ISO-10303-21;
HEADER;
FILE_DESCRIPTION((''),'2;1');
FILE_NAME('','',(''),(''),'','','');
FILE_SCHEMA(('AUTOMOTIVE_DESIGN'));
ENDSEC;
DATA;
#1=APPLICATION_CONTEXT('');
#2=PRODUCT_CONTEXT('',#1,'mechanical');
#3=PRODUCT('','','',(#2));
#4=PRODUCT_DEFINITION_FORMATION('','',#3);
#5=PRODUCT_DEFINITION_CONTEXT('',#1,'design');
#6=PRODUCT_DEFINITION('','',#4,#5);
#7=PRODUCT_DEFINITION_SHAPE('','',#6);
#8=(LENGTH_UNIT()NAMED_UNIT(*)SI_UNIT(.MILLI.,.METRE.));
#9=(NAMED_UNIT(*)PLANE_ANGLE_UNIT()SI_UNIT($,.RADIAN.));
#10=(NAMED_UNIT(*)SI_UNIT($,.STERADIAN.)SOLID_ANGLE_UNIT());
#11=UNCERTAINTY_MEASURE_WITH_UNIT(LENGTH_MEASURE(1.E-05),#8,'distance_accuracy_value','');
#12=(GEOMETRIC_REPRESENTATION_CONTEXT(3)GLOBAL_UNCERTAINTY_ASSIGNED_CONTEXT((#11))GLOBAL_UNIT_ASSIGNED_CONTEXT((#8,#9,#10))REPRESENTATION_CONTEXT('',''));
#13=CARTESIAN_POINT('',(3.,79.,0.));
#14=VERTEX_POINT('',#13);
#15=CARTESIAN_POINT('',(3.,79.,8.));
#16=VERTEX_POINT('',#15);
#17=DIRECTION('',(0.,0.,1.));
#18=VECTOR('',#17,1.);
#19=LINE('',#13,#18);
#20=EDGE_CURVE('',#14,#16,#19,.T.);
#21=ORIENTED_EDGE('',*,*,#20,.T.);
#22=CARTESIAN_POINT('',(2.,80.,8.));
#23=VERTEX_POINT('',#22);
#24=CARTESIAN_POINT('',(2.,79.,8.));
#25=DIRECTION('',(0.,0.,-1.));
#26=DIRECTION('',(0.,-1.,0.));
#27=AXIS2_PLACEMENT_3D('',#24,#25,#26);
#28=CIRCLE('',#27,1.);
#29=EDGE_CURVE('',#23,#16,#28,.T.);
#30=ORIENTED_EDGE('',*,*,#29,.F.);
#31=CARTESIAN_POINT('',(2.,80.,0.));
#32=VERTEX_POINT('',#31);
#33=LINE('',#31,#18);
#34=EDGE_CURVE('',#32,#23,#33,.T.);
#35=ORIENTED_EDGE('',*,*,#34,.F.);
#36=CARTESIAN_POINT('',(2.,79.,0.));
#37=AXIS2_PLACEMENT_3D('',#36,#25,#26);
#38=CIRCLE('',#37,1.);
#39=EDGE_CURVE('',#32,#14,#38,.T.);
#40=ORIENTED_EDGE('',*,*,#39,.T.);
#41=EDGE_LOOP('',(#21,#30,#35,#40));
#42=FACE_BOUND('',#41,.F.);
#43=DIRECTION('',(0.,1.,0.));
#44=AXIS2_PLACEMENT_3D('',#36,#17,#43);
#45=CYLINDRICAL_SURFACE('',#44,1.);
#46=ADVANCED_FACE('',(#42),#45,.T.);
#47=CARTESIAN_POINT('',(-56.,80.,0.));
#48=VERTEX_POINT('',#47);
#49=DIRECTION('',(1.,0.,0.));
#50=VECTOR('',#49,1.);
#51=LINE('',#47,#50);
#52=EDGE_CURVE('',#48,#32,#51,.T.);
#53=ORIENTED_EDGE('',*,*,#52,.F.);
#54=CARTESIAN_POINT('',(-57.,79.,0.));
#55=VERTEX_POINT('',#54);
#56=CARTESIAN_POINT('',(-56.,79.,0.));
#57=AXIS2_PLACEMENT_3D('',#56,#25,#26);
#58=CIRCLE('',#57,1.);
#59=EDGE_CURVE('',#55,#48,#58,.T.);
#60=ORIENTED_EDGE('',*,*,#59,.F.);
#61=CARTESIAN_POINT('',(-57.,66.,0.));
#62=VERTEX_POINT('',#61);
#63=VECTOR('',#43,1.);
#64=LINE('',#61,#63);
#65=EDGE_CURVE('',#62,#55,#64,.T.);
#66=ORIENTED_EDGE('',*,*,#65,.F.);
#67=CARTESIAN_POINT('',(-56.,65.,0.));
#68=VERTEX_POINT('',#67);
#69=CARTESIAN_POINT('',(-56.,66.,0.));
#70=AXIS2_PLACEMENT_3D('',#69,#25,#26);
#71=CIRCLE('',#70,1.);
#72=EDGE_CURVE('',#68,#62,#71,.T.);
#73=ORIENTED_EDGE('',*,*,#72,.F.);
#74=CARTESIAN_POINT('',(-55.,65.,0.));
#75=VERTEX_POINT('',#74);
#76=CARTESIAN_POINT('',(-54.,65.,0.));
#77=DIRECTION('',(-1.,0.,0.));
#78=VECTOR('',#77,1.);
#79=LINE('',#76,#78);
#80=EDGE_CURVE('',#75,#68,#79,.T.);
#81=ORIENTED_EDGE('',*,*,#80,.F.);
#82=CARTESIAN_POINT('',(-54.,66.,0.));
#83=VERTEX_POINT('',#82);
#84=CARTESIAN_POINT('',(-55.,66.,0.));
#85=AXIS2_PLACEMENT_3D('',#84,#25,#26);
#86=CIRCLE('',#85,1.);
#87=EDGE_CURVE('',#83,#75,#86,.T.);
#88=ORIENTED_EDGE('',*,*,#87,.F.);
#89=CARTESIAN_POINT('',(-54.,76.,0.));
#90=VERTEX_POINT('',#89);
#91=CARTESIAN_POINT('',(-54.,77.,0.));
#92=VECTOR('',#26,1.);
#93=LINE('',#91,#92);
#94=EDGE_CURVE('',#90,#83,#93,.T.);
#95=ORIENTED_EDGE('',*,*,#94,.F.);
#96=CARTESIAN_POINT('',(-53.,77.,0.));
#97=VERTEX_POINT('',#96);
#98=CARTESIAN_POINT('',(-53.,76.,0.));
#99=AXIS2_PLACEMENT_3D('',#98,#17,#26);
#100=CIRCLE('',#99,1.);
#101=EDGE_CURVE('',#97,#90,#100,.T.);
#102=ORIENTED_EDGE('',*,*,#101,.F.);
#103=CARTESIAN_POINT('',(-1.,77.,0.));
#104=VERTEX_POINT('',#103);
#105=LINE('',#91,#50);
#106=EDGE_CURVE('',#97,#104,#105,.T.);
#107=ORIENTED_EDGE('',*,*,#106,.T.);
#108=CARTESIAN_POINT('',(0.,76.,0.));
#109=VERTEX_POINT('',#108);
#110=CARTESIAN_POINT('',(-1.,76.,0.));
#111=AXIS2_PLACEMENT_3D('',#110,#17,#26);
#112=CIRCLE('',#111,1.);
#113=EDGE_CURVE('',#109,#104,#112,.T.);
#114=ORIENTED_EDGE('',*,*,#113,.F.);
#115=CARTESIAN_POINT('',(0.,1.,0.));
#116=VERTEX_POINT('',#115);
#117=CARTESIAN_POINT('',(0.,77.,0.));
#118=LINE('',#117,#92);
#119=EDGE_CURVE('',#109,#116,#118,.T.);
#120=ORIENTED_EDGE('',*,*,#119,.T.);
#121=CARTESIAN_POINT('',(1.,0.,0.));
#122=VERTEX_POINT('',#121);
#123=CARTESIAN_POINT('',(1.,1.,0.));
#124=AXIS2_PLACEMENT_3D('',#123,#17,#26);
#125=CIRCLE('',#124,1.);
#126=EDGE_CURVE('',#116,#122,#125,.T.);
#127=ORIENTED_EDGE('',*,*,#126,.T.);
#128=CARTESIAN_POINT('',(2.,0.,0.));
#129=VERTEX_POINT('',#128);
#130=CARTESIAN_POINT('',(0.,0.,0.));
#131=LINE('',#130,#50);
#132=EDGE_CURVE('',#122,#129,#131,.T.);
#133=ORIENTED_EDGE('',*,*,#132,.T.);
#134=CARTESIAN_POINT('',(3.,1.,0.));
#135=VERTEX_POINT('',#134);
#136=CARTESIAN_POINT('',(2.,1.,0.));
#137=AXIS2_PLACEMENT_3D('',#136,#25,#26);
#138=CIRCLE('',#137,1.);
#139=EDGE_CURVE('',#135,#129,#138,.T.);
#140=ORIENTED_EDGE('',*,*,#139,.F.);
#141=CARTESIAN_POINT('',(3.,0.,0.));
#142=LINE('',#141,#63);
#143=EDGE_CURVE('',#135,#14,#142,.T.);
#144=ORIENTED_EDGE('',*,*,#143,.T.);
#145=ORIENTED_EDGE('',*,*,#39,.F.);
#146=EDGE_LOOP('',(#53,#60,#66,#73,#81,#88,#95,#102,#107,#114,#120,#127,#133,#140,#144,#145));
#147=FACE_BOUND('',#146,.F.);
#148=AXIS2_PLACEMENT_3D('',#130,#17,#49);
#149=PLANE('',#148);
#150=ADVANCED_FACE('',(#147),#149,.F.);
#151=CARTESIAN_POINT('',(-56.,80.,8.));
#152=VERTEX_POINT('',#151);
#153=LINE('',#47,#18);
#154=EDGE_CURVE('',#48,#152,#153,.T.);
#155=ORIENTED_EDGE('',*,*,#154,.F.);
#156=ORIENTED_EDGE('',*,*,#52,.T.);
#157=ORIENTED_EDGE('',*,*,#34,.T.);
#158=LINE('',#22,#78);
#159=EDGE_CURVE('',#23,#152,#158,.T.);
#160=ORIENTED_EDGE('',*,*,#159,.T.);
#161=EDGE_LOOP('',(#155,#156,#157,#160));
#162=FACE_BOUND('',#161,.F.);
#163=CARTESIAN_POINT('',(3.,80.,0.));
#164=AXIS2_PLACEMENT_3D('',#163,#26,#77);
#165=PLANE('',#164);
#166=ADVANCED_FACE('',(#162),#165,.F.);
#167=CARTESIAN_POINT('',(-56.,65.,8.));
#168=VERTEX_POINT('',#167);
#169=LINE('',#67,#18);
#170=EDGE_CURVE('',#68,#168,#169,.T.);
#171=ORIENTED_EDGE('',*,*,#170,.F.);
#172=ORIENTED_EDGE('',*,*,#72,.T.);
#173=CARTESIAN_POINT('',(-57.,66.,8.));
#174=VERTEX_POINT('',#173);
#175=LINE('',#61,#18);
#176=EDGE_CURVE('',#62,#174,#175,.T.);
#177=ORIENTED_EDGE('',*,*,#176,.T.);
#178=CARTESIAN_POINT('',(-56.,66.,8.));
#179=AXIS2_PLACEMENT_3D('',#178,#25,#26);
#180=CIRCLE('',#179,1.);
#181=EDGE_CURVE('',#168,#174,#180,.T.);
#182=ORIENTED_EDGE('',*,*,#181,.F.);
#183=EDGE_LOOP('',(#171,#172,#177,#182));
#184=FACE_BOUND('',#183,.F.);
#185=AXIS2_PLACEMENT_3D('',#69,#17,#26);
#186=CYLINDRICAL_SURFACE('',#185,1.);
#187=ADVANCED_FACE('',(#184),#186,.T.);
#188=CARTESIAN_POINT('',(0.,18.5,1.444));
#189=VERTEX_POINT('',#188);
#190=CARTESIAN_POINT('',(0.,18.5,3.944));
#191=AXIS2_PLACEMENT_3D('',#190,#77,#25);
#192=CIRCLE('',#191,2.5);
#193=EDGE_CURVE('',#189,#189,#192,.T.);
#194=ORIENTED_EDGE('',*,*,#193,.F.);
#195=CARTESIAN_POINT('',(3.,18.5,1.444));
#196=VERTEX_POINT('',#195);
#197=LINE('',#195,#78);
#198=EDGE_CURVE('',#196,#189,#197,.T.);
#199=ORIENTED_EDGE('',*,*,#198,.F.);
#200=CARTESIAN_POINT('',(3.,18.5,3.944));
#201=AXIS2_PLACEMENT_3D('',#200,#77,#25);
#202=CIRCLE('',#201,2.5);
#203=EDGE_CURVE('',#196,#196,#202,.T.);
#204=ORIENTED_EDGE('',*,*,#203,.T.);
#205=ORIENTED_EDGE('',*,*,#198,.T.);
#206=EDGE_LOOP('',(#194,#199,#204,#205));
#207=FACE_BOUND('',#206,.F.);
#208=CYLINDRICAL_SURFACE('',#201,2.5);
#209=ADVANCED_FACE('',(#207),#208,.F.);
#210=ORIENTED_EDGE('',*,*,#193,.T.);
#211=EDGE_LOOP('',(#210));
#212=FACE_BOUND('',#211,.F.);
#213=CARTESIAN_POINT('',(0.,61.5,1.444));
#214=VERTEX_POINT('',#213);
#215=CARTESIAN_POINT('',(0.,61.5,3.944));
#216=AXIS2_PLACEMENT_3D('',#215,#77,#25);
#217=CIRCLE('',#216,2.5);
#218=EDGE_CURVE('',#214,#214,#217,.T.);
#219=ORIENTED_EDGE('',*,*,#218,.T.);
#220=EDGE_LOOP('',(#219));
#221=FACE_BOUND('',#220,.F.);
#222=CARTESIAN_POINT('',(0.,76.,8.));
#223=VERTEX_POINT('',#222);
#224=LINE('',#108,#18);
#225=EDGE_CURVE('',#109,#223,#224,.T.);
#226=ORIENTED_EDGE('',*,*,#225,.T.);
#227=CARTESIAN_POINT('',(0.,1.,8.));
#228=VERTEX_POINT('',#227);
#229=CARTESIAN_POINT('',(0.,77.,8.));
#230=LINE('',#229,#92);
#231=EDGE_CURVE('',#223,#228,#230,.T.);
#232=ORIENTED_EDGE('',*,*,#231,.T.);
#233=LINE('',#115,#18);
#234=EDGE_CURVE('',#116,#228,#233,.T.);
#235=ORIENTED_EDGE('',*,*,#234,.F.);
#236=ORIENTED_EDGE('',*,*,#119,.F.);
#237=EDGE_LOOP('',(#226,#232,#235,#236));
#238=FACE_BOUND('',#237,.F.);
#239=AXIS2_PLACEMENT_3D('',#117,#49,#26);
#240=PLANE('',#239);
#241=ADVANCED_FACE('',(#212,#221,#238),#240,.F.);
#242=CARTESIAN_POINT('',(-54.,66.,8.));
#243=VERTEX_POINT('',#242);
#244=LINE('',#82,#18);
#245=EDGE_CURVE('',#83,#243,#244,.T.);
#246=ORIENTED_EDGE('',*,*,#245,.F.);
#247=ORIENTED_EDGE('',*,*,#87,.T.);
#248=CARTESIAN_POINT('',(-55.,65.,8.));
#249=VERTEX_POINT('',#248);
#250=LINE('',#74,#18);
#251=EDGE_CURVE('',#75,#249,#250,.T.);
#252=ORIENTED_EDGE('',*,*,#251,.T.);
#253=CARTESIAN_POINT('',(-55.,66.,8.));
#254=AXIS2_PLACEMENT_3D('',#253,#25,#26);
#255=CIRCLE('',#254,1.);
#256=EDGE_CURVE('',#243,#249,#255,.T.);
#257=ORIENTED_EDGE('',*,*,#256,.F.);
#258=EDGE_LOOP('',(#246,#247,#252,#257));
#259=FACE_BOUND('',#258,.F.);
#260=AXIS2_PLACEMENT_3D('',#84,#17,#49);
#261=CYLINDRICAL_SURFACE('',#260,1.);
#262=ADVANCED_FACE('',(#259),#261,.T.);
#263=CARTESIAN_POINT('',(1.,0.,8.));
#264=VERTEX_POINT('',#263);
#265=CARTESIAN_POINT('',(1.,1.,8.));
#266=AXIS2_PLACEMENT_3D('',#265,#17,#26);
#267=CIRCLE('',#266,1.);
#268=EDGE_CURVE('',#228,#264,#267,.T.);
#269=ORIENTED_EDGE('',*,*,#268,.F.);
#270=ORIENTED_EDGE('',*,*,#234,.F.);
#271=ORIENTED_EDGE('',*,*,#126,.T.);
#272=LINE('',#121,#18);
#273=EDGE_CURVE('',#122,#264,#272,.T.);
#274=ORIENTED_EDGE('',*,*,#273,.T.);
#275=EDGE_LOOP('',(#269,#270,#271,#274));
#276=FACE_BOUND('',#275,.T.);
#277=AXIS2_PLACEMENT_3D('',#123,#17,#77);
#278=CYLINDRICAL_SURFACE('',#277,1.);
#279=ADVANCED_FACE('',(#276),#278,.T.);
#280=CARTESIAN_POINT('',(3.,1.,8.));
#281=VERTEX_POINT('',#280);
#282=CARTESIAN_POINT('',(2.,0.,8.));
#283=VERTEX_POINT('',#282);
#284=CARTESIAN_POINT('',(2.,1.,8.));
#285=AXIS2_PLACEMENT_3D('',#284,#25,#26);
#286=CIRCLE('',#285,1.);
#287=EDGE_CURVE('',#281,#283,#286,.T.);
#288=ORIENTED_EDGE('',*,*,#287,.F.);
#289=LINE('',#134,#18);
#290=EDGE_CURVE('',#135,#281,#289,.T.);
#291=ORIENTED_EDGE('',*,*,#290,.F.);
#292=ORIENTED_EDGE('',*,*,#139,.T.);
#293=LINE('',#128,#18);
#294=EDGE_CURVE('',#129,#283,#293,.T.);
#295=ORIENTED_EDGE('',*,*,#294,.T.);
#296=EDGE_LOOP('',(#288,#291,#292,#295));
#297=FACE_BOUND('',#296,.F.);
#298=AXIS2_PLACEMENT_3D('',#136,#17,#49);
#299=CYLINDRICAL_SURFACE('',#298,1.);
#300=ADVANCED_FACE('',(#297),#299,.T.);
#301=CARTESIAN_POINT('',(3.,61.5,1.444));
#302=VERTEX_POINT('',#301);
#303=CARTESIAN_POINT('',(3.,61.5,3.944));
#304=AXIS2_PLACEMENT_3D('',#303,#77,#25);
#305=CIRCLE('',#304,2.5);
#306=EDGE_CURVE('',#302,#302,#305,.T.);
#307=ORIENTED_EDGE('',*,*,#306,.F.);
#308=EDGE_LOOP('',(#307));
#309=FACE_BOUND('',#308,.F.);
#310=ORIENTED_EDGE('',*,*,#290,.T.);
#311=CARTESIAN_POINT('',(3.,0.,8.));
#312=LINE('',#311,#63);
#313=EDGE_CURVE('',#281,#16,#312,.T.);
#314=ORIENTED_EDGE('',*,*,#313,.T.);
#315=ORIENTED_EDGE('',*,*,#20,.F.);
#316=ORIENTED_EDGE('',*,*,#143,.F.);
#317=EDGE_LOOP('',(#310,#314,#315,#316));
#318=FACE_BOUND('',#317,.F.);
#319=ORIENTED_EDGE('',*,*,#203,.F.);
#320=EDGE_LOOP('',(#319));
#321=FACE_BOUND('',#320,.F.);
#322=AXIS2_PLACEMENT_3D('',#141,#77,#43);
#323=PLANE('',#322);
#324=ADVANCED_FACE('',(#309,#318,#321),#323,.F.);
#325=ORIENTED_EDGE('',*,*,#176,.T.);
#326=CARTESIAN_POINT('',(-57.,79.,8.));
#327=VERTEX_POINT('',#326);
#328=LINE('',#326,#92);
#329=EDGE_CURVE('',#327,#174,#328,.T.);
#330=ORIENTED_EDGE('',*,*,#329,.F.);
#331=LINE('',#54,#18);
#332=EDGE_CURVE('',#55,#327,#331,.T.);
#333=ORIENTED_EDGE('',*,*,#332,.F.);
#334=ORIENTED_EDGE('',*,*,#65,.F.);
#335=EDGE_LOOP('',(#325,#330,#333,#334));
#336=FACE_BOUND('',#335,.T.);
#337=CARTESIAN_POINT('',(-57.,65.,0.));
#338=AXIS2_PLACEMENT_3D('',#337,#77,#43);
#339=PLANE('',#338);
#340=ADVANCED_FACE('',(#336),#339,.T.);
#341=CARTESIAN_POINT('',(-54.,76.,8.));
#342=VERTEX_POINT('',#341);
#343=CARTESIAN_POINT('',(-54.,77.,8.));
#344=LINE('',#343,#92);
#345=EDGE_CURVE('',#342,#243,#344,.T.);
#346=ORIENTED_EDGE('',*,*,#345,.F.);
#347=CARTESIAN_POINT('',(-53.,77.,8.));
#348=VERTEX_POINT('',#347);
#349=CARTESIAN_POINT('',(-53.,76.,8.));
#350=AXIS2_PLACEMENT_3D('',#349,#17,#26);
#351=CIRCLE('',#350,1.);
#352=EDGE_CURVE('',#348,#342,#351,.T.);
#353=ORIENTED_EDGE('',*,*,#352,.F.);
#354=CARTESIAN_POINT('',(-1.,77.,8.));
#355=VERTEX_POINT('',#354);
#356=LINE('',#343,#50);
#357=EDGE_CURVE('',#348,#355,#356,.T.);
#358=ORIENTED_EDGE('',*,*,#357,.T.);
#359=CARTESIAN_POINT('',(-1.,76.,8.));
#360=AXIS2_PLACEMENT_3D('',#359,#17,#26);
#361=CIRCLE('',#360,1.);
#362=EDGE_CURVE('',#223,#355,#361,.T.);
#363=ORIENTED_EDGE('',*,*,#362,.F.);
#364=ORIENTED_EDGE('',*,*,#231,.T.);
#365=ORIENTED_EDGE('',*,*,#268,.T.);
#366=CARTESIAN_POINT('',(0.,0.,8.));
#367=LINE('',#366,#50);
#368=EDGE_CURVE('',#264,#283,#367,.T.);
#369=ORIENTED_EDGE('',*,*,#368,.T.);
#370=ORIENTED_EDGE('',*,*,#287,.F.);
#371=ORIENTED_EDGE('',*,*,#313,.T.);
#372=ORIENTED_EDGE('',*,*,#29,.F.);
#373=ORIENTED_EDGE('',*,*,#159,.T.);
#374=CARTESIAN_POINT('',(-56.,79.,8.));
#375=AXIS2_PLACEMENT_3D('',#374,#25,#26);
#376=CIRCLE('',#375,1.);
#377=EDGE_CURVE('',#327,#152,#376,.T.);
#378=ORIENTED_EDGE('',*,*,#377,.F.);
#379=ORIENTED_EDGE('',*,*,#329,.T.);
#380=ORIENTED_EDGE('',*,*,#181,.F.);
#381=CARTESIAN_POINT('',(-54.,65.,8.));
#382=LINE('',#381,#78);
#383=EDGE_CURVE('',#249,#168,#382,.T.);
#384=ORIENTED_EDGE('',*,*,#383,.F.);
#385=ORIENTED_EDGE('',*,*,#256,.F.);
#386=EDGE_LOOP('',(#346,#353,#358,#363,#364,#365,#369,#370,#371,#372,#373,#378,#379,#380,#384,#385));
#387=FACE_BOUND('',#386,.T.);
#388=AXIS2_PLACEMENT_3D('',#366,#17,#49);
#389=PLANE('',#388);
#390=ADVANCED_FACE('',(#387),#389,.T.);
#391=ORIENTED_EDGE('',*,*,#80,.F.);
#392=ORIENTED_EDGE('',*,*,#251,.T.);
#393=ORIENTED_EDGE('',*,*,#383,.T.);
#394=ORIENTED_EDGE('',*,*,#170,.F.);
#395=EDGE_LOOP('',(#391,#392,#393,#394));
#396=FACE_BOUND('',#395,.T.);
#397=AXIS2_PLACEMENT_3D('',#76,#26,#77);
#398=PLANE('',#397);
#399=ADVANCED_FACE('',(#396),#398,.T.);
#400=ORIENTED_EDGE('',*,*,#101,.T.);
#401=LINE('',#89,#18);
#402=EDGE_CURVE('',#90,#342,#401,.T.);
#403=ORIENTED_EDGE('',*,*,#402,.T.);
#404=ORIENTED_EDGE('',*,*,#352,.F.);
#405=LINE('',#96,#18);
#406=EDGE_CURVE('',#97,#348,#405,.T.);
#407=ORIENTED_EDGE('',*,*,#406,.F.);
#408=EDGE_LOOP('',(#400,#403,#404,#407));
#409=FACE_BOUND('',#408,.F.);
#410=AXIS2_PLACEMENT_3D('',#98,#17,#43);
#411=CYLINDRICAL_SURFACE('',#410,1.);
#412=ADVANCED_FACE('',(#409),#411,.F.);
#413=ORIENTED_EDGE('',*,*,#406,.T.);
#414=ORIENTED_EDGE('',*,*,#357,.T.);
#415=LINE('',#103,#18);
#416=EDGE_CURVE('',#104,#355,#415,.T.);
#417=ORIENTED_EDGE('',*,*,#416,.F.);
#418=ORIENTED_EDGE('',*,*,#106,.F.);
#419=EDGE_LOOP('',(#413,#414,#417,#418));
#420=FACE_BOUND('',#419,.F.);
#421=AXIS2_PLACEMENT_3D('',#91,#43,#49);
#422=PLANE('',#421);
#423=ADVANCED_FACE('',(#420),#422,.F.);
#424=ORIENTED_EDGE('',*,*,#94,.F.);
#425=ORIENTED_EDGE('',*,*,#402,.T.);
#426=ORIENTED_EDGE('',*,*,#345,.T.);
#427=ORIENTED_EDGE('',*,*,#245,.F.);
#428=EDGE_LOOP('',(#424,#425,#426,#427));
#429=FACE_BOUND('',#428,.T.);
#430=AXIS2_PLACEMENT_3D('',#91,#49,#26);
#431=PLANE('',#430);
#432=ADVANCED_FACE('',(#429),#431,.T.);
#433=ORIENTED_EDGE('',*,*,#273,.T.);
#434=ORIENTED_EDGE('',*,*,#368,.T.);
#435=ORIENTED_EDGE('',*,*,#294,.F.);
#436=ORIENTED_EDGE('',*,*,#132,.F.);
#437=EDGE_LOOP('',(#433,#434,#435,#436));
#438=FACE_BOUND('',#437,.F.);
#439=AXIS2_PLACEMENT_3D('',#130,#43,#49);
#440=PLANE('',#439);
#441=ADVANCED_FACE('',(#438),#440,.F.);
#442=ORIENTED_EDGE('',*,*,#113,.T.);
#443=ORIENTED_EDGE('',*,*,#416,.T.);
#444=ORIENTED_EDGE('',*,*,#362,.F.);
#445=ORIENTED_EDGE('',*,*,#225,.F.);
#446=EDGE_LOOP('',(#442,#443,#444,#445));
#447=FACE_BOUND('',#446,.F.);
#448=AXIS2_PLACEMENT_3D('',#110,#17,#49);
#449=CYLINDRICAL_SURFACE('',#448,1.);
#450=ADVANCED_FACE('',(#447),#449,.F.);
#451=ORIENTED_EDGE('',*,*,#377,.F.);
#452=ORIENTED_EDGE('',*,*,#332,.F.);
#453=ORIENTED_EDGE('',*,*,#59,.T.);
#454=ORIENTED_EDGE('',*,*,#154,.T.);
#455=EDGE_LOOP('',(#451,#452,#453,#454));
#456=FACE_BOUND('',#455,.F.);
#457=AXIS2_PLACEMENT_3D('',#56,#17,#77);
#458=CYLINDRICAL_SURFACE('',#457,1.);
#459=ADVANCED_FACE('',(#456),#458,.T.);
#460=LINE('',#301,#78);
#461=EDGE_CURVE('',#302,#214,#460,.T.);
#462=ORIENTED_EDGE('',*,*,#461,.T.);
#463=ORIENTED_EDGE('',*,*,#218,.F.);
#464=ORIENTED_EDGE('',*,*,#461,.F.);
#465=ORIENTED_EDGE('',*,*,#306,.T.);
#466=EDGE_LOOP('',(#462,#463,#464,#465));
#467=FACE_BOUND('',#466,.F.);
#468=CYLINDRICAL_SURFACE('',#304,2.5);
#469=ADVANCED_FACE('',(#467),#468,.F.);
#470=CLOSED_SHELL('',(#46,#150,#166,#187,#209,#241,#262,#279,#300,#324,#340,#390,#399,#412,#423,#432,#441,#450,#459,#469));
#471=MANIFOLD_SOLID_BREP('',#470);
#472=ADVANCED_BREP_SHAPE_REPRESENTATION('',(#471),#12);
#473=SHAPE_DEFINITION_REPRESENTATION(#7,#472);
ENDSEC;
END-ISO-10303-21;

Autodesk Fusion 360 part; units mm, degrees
sketch "Sketch1" plane through (0, 0, 0) normal (0, 0, 1) x (1, 0, 0)
  line L0 (0, 0) -> (3, 0)
  line L1 (3, 0) -> (3, 80)
  line L2 (3, 80) -> (0, 80)
  line L3 (0, 77) -> (0, 0)
  line L4 (0, 80) -> (-57, 80)
  line L5 (-57, 80) -> (-57, 77)
  line L6 (-54, 77) -> (0, 77)
  line L7 (-54, 77) -> (-54, 65)
  line L8 (-54, 65) -> (-57, 65)
  line L9 (-57, 65) -> (-57, 77)
  dimension "d1" = 80
  dimension "d2" = 3
  dimension "d3" = 60
  dimension "d4" = 3
  dimension "d5" = 15
  dimension "d6" = 3
extrude "Extrude1" add sketch "Sketch1" along normal blind 8
fillet "Fillet1" radius 1 8 edges at (0, 77, 4) (-54, 77, 4) (-54, 65, 4) (-57, 65, 4) (-57, 80, 4) (3, 80, 4) (3, 0, 4) (0, 0, 4)
sketch "Sketch2" plane through (3, 0, 0) normal (1, 0, 0) x (0, 1, 0)
  line L0 (1, 8) -> (1, 0)
  line L1 (1, 0) -> (79, 0)
  line L2 (79, 0) -> (79, 8)
  line L3 (79, 8) -> (1, 8)
  line L4 (80, 0) -> (80, 8)
  point P0 (61.5, 3.944)
  point P1 (18.5, 3.944)
  dimension "d11" = 43
  dimension "d12" = 18.5
hole "Hole1" at (3, 61.5, 3.944) at (3, 18.5, 3.944) direction (-1, 0, 0) diameter 5 depth 3 tip angle 118
equation "d12 = ( ( 80 - 43 ) / 2 ) * 1 mm"
